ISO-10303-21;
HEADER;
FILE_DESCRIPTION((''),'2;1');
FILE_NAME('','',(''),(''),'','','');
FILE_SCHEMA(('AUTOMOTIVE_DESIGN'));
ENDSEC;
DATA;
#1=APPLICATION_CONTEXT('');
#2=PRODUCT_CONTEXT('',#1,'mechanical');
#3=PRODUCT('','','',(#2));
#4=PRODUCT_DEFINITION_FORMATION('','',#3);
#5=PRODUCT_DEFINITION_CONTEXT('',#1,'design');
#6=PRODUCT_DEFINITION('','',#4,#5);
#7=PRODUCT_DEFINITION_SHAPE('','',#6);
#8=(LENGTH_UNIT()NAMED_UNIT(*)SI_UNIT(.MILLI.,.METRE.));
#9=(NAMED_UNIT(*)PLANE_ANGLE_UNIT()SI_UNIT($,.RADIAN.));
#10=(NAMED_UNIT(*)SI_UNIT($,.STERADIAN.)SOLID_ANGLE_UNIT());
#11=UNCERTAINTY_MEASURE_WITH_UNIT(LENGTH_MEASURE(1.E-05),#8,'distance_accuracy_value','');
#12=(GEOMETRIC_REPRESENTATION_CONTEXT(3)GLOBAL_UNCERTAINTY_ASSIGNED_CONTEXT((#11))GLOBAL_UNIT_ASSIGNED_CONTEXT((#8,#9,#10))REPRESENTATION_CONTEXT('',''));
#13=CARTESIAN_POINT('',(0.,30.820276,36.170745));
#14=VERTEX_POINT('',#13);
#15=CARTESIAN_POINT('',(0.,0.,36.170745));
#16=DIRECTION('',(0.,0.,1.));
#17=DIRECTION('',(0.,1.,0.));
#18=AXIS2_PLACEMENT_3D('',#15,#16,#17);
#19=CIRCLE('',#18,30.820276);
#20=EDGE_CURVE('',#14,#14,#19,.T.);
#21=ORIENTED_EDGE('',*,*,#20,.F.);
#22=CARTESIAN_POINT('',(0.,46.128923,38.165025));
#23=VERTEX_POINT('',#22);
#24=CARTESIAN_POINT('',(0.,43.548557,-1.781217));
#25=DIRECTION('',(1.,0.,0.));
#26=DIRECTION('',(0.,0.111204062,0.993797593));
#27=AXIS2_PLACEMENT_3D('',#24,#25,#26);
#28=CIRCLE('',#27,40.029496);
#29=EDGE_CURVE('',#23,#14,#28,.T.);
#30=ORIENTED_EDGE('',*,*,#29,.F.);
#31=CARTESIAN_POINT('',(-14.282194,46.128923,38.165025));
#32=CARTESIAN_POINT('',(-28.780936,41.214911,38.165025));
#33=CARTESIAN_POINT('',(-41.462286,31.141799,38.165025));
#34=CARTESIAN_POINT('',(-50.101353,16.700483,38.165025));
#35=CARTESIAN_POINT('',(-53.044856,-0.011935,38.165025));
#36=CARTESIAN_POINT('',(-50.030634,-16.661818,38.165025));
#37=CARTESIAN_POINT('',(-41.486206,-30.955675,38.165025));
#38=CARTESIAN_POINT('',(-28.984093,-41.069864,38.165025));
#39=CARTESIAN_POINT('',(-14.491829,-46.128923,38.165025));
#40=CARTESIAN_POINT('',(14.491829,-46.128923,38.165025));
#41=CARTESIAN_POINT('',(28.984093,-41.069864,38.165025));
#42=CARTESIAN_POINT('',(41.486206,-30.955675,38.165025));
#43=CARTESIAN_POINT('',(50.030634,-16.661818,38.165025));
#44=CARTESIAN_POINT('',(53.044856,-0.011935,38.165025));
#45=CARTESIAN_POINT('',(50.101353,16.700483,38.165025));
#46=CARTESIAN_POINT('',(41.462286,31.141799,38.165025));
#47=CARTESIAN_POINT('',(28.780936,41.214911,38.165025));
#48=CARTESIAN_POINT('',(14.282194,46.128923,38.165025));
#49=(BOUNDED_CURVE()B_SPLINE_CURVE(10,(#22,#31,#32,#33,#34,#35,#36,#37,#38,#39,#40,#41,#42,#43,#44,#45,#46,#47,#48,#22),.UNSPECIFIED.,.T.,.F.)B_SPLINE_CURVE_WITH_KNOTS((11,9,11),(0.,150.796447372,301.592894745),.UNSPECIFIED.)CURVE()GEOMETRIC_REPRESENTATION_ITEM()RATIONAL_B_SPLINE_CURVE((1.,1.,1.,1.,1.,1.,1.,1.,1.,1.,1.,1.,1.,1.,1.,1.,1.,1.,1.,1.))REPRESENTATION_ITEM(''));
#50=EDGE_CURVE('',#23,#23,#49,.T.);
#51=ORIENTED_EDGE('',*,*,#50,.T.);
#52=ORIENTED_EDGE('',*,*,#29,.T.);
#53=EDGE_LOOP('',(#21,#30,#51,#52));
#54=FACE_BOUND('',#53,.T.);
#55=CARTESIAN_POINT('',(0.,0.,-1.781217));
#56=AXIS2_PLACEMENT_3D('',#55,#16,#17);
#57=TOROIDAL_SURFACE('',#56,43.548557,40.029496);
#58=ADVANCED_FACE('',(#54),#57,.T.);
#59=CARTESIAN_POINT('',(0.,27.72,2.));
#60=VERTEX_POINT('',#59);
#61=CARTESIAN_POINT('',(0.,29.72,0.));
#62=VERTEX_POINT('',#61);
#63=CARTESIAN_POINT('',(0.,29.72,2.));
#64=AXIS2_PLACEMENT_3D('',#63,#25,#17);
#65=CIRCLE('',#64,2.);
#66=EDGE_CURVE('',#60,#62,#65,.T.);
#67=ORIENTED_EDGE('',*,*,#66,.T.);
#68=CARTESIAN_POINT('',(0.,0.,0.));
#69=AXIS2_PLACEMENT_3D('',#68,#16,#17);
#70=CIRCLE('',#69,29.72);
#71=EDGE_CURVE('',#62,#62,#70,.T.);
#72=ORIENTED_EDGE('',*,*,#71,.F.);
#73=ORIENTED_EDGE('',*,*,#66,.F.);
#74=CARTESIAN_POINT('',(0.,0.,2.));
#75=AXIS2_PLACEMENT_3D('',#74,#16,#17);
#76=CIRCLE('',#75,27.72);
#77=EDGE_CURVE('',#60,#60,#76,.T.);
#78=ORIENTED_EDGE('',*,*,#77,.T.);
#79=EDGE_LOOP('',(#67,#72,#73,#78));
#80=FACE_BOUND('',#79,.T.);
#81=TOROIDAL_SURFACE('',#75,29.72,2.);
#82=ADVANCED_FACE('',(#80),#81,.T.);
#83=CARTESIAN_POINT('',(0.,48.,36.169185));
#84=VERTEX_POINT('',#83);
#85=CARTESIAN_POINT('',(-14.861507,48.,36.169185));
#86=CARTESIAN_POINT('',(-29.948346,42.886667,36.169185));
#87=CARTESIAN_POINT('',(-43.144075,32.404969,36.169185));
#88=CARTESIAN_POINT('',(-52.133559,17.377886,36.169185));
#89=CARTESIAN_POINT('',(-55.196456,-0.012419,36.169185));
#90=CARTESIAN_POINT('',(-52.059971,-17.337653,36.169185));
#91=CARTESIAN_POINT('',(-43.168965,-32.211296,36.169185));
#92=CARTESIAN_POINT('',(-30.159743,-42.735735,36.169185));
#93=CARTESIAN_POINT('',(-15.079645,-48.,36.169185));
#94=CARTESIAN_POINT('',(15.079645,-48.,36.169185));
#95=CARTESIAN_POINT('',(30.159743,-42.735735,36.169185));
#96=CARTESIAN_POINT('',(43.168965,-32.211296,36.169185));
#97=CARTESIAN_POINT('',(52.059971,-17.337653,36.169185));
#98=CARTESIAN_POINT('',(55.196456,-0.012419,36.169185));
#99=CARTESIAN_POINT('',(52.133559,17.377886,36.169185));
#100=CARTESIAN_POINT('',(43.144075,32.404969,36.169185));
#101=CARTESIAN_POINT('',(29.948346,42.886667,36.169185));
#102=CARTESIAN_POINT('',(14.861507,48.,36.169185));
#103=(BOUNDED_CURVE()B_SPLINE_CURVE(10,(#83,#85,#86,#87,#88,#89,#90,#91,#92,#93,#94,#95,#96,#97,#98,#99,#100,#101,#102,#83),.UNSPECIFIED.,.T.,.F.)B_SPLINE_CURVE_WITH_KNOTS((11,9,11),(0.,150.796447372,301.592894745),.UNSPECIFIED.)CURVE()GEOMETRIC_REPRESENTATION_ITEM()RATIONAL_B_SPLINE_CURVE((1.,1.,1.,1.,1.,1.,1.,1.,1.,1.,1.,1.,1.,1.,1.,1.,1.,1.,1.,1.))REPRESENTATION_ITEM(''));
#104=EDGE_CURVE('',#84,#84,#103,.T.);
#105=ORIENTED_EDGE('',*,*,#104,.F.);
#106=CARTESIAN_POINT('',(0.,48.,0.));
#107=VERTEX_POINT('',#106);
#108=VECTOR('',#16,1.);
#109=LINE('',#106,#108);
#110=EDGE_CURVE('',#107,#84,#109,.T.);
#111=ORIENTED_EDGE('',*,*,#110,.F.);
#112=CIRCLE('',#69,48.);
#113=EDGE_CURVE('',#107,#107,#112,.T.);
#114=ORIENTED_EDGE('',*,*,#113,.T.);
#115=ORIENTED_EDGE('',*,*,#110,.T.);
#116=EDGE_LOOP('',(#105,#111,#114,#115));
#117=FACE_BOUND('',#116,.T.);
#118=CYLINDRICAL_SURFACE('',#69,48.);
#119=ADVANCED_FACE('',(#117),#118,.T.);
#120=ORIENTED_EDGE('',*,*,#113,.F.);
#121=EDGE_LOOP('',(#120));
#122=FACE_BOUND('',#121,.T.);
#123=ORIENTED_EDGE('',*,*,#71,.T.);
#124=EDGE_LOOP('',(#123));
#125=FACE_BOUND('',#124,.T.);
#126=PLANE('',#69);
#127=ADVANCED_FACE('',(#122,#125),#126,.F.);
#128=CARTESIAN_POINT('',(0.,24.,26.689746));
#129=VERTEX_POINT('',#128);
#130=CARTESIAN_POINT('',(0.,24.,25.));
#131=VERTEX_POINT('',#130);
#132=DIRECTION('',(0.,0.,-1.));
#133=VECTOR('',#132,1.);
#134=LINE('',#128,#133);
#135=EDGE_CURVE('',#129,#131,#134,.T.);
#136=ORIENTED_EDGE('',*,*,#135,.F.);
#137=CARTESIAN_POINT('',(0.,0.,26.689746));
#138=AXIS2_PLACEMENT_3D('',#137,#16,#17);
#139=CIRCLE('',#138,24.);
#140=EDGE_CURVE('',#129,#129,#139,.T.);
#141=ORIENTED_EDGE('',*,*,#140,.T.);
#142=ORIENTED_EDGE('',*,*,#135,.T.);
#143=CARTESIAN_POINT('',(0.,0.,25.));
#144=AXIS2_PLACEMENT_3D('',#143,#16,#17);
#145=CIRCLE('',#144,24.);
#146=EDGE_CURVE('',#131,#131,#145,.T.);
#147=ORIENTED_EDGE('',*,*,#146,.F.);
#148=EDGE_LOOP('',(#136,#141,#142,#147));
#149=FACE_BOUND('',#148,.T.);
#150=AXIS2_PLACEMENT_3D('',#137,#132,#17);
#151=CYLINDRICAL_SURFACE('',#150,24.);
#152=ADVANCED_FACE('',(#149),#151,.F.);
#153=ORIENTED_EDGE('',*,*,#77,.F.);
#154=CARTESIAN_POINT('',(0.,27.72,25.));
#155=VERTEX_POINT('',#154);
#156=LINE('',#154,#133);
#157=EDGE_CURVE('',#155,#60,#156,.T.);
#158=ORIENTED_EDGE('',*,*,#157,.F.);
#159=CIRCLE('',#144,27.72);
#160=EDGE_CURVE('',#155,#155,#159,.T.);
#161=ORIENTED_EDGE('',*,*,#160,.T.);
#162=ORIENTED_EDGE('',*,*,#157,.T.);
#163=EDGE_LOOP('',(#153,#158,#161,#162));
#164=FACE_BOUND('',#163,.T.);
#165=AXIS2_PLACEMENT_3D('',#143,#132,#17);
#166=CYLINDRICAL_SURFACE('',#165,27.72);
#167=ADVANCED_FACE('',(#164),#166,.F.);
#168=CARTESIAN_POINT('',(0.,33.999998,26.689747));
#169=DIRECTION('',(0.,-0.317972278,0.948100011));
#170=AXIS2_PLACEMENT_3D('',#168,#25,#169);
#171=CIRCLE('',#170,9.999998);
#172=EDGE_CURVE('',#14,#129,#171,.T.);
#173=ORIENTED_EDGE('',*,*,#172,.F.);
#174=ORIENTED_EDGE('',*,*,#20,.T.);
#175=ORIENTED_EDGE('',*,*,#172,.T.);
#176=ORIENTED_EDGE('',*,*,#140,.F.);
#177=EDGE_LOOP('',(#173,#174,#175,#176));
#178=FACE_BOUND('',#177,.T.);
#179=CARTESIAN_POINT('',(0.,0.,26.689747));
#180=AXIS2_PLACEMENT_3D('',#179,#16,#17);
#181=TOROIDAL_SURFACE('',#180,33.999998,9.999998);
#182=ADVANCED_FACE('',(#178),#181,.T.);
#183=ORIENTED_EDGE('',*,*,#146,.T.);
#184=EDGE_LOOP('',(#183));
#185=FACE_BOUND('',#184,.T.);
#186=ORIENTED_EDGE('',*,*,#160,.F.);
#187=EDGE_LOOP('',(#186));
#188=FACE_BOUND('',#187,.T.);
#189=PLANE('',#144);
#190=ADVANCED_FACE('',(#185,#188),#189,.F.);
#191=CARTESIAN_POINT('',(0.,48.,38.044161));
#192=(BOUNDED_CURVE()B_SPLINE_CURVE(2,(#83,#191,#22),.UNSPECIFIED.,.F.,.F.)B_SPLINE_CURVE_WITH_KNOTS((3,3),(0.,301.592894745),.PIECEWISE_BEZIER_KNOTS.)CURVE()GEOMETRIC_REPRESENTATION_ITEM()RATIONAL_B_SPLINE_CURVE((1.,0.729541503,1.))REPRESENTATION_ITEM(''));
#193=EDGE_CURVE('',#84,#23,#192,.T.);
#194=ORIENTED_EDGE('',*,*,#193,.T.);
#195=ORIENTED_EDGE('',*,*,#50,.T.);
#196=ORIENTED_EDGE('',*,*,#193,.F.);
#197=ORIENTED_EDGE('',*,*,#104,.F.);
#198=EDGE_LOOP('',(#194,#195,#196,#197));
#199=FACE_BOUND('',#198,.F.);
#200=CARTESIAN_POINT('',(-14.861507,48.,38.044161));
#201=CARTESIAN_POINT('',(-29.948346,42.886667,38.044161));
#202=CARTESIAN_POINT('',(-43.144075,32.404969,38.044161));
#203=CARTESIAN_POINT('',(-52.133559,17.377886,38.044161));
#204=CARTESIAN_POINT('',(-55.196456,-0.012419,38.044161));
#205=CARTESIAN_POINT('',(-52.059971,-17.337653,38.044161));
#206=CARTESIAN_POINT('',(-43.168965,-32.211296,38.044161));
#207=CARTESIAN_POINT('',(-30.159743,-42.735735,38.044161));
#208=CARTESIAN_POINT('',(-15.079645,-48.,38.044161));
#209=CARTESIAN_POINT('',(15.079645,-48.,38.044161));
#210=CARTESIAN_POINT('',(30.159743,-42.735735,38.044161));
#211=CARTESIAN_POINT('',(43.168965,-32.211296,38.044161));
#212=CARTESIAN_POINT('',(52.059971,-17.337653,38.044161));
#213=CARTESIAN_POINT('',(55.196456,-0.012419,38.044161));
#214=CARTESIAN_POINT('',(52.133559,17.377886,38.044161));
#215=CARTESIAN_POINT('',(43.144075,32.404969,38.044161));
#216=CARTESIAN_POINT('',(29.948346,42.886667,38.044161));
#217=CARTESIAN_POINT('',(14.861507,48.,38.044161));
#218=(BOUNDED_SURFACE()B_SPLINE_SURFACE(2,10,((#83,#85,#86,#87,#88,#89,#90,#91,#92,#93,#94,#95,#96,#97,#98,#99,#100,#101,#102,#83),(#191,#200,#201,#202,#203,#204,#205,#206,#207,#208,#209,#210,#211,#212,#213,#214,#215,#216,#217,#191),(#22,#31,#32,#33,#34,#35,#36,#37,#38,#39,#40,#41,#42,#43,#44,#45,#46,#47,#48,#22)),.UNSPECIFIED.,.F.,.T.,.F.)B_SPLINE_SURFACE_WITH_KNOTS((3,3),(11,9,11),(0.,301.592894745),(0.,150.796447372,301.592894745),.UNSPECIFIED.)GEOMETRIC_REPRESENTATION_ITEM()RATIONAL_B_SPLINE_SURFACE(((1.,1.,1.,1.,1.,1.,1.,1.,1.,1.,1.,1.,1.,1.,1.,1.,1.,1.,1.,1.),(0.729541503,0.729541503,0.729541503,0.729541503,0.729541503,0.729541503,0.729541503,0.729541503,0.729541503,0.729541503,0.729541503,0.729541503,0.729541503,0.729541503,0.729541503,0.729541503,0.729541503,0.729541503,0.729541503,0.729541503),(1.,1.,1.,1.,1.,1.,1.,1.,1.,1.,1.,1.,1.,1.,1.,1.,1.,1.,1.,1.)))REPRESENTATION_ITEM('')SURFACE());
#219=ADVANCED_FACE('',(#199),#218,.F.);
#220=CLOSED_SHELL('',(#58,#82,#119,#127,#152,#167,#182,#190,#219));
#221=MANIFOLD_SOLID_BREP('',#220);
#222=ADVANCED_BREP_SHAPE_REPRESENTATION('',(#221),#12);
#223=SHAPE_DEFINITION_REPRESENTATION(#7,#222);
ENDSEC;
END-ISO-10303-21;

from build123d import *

# Parameters (mm, degrees)
F2_R = 2


with BuildPart() as f1:
    # F0 (on Right) → F1 (revolve)
    with BuildSketch(Plane.YZ):
        with BuildLine():
            Line((27.72, 25), (27.72, 0))
            Line((27.72, 0), (48, 0))
            Line((48, 0), (48, 38))
            ThreePointArc((48, 38), (39.310272, 38.023274), (30.820276, 36.170745))
            ThreePointArc((30.820276, 36.170745), (25.882203, 32.529384), (24, 26.689746))
            Line((24, 26.689746), (24, 25))
            Line((24, 25), (27.72, 25))
        make_face()
    revolve(axis=Axis((0, 0, 20.223878), (0, 0, 1)))

    # F2
    f2_edges = [f1.edges().sort_by_distance(p)[0] for p in [
        (0, -48, 38),
        (0, -27.72, 0),
    ]]
    fillet(f2_edges, radius=F2_R)


solid = f1.part
